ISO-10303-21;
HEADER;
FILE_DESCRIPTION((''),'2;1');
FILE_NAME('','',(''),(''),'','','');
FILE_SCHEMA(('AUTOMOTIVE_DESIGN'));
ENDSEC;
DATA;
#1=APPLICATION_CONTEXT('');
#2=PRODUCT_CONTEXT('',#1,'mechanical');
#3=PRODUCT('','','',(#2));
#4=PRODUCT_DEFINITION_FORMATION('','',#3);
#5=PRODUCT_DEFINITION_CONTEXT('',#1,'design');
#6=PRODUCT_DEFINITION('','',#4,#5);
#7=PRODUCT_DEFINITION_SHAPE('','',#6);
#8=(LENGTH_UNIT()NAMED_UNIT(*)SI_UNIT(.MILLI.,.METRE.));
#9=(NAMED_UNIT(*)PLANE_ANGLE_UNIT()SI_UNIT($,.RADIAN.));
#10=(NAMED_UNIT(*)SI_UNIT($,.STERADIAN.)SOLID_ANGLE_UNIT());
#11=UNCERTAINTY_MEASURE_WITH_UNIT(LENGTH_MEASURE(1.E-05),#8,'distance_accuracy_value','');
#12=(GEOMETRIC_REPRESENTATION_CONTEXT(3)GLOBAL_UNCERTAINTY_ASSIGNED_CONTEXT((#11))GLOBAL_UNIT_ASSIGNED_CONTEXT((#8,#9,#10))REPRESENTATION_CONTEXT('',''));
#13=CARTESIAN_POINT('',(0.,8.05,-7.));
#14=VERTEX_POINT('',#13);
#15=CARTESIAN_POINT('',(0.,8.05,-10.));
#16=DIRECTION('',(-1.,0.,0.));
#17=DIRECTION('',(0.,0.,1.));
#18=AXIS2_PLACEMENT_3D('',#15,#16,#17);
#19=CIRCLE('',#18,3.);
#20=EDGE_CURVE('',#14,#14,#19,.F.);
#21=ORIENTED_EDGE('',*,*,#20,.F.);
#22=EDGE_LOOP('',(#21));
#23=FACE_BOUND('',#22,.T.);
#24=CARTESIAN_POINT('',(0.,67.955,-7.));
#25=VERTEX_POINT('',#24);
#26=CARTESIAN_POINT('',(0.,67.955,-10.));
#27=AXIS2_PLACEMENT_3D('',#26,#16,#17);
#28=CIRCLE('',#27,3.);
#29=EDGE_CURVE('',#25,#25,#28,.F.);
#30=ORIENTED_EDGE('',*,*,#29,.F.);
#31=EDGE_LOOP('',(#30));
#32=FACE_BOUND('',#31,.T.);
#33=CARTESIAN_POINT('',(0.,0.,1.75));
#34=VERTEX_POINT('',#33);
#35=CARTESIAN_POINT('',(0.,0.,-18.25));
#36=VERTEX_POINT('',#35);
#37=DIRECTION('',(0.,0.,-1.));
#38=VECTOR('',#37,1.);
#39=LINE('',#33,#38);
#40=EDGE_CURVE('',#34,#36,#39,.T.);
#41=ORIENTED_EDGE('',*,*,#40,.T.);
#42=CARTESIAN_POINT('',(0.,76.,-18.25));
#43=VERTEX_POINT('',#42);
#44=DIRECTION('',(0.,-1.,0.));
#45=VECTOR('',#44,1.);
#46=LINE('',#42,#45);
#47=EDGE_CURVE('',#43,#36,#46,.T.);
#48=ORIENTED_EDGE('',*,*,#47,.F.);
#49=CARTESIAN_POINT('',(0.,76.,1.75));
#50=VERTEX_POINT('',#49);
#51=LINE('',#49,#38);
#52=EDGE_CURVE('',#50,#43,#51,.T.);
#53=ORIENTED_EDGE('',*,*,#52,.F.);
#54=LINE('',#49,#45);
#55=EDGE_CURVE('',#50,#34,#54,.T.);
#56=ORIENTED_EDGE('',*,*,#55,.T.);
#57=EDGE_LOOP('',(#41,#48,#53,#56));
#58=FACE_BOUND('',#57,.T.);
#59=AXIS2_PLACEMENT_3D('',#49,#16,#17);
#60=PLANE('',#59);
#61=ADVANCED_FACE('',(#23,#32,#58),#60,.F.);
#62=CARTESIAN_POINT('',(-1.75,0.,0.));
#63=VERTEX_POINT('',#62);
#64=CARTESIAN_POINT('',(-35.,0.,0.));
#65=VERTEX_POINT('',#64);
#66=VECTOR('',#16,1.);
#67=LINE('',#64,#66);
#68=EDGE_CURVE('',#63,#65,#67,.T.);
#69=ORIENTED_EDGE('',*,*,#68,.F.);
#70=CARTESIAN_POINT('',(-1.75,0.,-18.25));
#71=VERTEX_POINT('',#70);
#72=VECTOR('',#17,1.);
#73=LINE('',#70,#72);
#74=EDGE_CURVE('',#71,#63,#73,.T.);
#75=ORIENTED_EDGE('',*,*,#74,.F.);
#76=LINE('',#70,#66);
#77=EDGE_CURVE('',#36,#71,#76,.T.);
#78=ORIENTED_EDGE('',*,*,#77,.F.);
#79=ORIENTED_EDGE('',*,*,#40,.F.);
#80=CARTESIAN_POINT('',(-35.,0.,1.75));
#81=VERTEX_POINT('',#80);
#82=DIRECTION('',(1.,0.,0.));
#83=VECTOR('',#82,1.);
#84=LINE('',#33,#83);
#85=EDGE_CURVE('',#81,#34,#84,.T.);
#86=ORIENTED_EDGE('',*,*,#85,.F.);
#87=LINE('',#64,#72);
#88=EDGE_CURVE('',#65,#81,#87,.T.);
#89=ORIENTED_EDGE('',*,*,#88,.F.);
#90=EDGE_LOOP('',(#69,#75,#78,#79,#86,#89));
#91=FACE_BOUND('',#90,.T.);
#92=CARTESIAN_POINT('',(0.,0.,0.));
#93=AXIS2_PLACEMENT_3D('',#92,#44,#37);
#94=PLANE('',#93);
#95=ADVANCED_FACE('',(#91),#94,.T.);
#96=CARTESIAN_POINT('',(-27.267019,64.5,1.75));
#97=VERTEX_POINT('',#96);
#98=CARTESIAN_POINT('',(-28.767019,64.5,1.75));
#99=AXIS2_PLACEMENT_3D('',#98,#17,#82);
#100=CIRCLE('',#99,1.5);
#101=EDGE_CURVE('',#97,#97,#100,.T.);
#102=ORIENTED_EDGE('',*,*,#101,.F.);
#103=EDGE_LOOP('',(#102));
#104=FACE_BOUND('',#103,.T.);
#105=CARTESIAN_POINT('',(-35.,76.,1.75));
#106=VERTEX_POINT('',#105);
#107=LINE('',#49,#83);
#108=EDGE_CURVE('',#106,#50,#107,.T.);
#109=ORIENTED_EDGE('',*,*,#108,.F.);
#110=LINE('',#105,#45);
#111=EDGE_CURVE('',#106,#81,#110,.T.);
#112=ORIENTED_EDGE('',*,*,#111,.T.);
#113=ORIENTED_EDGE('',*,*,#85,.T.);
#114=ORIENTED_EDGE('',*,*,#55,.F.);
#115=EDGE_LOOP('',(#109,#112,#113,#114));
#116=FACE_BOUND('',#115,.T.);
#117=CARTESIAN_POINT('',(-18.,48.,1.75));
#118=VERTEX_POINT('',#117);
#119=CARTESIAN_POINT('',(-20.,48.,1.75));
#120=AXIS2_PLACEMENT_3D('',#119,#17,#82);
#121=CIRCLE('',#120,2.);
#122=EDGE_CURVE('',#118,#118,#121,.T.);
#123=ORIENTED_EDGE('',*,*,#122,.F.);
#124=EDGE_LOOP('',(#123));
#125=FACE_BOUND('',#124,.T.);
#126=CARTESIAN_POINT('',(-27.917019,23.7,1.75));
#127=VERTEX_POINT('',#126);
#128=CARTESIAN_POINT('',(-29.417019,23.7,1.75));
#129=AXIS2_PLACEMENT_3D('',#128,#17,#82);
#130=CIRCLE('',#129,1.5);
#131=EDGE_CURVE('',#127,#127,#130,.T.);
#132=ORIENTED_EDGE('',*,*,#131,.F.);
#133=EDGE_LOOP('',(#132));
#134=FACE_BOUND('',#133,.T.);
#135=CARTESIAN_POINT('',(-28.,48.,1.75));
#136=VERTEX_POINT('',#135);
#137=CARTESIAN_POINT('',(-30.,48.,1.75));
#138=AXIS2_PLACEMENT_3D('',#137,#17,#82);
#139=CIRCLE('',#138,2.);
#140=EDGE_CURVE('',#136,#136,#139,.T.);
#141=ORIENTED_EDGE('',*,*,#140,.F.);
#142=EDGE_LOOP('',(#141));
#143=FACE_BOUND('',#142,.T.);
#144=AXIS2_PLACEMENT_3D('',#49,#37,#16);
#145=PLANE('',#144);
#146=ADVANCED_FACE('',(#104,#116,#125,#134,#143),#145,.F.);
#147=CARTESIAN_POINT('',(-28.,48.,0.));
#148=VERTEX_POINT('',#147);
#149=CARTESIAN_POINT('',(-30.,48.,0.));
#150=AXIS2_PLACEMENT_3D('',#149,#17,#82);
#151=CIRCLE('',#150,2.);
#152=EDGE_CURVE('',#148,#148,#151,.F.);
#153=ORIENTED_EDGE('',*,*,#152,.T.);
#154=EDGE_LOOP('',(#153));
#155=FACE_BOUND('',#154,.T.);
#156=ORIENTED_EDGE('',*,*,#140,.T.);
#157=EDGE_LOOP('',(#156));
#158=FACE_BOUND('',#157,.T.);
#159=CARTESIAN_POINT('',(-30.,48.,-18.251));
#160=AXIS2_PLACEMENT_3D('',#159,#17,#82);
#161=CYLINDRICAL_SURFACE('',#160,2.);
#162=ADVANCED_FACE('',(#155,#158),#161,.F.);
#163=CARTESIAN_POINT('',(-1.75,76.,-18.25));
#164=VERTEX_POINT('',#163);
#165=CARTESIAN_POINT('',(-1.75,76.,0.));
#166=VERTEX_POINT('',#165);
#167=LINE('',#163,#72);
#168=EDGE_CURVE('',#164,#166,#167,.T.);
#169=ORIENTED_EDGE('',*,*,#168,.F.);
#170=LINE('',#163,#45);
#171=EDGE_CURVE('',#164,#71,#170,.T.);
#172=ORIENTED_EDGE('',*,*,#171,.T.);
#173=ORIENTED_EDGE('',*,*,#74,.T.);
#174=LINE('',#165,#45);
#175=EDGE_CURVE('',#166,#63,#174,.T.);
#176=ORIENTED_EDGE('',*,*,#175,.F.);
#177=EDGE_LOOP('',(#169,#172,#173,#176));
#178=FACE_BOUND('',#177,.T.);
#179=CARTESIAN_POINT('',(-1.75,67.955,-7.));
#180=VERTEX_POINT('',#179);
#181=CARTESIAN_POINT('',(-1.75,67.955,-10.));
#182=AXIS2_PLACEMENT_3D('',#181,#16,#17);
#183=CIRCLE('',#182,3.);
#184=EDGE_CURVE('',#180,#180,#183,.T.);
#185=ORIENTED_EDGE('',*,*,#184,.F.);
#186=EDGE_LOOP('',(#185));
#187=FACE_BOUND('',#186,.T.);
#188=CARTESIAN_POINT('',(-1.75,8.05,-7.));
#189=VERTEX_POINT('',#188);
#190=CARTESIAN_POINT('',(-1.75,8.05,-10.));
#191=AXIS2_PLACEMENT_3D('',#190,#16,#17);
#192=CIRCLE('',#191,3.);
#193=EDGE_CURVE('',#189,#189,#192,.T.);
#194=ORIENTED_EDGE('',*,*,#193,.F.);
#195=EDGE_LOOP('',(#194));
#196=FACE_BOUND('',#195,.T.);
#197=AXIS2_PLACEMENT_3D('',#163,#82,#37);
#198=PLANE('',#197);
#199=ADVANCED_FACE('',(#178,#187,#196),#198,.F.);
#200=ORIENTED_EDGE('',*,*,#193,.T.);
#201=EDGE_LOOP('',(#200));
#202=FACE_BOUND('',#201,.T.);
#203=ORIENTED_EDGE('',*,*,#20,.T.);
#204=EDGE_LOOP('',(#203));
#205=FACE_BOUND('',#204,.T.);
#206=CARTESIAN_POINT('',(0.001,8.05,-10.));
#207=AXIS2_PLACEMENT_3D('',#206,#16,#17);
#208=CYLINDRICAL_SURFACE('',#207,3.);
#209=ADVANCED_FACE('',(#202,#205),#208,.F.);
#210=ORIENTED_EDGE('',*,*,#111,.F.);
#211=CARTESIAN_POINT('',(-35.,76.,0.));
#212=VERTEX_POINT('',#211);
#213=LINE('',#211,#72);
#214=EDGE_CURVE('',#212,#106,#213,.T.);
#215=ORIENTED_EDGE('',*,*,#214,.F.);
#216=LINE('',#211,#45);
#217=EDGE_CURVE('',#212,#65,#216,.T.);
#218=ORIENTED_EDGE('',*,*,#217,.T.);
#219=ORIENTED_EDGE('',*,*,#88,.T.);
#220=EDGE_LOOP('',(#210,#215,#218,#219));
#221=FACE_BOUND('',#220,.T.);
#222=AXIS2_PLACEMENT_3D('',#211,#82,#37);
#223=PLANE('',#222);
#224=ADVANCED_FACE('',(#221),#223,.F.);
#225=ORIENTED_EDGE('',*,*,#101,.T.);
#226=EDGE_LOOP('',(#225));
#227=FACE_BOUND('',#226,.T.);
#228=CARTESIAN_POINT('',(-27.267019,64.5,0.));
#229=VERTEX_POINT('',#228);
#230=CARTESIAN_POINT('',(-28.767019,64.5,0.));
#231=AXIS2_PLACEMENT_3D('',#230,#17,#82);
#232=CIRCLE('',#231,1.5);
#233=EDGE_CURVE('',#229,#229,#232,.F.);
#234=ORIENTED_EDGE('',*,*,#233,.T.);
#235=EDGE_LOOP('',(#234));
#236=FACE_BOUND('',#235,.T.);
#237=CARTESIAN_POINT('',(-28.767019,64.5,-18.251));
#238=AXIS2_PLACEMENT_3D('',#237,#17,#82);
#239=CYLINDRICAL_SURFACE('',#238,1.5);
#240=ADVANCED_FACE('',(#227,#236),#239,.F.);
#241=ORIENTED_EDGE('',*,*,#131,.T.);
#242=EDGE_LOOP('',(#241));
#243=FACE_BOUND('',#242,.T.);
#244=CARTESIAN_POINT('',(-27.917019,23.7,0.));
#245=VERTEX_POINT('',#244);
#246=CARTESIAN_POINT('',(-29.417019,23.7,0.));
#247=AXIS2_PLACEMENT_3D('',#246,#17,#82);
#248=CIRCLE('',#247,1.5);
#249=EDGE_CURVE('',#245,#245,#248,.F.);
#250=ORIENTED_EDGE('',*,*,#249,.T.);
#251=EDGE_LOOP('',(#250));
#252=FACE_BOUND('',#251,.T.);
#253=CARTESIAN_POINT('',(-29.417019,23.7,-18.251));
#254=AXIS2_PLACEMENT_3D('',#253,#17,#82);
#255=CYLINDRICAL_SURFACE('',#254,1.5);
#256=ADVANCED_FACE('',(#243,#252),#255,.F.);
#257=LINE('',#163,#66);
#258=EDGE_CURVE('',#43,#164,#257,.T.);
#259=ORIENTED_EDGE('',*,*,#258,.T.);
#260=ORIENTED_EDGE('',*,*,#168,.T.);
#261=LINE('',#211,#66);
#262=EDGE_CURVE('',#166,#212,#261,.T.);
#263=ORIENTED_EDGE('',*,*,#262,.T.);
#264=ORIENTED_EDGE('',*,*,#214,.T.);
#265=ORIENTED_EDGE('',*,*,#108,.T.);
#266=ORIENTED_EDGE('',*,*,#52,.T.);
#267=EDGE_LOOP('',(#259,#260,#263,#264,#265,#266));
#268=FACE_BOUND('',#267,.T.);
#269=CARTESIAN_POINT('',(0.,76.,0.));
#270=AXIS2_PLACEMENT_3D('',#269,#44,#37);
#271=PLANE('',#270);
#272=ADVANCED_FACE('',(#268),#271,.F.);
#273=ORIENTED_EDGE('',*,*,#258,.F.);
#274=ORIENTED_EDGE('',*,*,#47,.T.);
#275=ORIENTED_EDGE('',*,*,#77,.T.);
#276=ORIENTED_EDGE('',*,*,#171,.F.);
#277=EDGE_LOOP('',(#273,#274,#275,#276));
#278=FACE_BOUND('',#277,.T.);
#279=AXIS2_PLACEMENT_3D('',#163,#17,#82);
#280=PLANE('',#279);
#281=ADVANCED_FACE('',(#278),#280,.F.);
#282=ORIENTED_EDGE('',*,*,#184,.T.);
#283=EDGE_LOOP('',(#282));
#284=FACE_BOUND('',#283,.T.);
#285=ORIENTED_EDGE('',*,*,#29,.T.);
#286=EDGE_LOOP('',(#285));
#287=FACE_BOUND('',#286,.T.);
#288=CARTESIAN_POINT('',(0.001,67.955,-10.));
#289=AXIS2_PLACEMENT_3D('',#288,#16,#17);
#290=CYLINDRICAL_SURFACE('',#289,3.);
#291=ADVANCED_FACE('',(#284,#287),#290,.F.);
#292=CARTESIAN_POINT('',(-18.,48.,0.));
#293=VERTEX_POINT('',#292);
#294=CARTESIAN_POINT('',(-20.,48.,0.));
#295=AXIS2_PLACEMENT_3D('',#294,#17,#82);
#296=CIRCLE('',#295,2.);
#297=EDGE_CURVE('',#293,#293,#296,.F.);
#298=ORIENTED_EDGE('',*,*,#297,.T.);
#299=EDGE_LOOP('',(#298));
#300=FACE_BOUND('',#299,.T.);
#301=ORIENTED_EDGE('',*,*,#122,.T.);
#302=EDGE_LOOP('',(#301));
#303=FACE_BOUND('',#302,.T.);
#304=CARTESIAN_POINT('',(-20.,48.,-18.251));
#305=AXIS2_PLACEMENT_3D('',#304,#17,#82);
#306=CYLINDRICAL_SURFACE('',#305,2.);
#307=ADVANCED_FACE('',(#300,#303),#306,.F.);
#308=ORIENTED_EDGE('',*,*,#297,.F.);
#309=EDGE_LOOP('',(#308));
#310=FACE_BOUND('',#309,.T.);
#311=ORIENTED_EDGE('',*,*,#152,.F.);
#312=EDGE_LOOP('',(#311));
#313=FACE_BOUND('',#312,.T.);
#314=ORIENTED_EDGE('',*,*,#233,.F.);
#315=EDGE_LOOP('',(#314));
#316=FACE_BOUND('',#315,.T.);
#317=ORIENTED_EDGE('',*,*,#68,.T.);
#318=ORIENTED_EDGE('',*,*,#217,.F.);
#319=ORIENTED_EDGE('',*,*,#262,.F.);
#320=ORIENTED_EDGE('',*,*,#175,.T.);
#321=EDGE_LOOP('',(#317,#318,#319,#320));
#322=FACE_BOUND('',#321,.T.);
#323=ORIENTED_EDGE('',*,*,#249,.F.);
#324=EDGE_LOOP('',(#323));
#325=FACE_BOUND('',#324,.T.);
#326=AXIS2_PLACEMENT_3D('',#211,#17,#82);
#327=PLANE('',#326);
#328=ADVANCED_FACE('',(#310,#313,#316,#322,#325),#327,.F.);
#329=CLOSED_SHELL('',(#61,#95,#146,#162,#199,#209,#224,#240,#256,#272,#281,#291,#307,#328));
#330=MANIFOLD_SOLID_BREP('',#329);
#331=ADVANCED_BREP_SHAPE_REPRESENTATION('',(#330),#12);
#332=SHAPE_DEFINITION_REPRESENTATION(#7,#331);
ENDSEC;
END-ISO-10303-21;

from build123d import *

# Parameters (mm, degrees)
BOSS_EXTRUDE1_DEPTH = 76
CUT_EXTRUDE1_REACH  = 3.75
SKETCH3_R           = 3
CUT_EXTRUDE2_REACH  = 22
SKETCH4_R           = 1.5
SKETCH4_R_2         = 2


with BuildPart() as part:
    # Sketch1 → Boss-Extrude1 (new body)
    with BuildSketch(Plane(origin=(0, 0, 0), x_dir=(1, 0, 0), z_dir=(0, 1, 0))):
        Polygon((-35, 0), (-35, -1.75), (0, -1.75), (0, 18.25), (-1.75, 18.25), (-1.75, 0), align=None)
    extrude(amount=BOSS_EXTRUDE1_DEPTH)

    # Sketch3 → Cut-Extrude1 (cut, up to next)
    with BuildSketch(Plane.ZY.offset(1.75), mode=Mode.PRIVATE) as cut_extrude1_sk1:
        with Locations((-10, 8.05)):
            Circle(SKETCH3_R)
    cut_extrude1_tool1 = extrude(cut_extrude1_sk1.sketch, amount=-CUT_EXTRUDE1_REACH, mode=Mode.PRIVATE) & part.part
    add(cut_extrude1_tool1.solids().sort_by_distance((-1.75, 8.05, -10))[0], mode=Mode.SUBTRACT)
    # Sketch3 → Cut-Extrude1 (cut, up to next)
    with BuildSketch(Plane.ZY.offset(1.75), mode=Mode.PRIVATE) as cut_extrude1_sk2:
        with Locations((-10, 67.955)):
            Circle(SKETCH3_R)
    cut_extrude1_tool2 = extrude(cut_extrude1_sk2.sketch, amount=-CUT_EXTRUDE1_REACH, mode=Mode.PRIVATE) & part.part
    add(cut_extrude1_tool2.solids().sort_by_distance((-1.75, 67.955, -10))[0], mode=Mode.SUBTRACT)

    # Sketch4 → Cut-Extrude2 (cut, up to next)
    with BuildSketch(Plane.XY.offset(1.75), mode=Mode.PRIVATE) as cut_extrude2_sk1:
        with Locations((-28.76701924, 64.5)):
            Circle(SKETCH4_R)
    cut_extrude2_tool1 = extrude(cut_extrude2_sk1.sketch, amount=-CUT_EXTRUDE2_REACH, mode=Mode.PRIVATE) & part.part
    add(cut_extrude2_tool1.solids().sort_by_distance((-28.767019, 64.5, 1.75))[0], mode=Mode.SUBTRACT)
    # Sketch4 → Cut-Extrude2 (cut, up to next)
    with BuildSketch(Plane.XY.offset(1.75), mode=Mode.PRIVATE) as cut_extrude2_sk2:
        with Locations((-29.41701924, 23.7)):
            Circle(SKETCH4_R)
    cut_extrude2_tool2 = extrude(cut_extrude2_sk2.sketch, amount=-CUT_EXTRUDE2_REACH, mode=Mode.PRIVATE) & part.part
    add(cut_extrude2_tool2.solids().sort_by_distance((-29.417019, 23.7, 1.75))[0], mode=Mode.SUBTRACT)
    # Sketch4 → Cut-Extrude2 (cut, up to next)
    with BuildSketch(Plane.XY.offset(1.75), mode=Mode.PRIVATE) as cut_extrude2_sk3:
        with Locations((-30, 48)):
            Circle(SKETCH4_R_2)
    cut_extrude2_tool3 = extrude(cut_extrude2_sk3.sketch, amount=-CUT_EXTRUDE2_REACH, mode=Mode.PRIVATE) & part.part
    add(cut_extrude2_tool3.solids().sort_by_distance((-30, 48, 1.75))[0], mode=Mode.SUBTRACT)
    # Sketch4 → Cut-Extrude2 (cut, up to next)
    with BuildSketch(Plane.XY.offset(1.75), mode=Mode.PRIVATE) as cut_extrude2_sk4:
        with Locations((-20, 48)):
            Circle(SKETCH4_R_2)
    cut_extrude2_tool4 = extrude(cut_extrude2_sk4.sketch, amount=-CUT_EXTRUDE2_REACH, mode=Mode.PRIVATE) & part.part
    add(cut_extrude2_tool4.solids().sort_by_distance((-20, 48, 1.75))[0], mode=Mode.SUBTRACT)


solid = part.part
